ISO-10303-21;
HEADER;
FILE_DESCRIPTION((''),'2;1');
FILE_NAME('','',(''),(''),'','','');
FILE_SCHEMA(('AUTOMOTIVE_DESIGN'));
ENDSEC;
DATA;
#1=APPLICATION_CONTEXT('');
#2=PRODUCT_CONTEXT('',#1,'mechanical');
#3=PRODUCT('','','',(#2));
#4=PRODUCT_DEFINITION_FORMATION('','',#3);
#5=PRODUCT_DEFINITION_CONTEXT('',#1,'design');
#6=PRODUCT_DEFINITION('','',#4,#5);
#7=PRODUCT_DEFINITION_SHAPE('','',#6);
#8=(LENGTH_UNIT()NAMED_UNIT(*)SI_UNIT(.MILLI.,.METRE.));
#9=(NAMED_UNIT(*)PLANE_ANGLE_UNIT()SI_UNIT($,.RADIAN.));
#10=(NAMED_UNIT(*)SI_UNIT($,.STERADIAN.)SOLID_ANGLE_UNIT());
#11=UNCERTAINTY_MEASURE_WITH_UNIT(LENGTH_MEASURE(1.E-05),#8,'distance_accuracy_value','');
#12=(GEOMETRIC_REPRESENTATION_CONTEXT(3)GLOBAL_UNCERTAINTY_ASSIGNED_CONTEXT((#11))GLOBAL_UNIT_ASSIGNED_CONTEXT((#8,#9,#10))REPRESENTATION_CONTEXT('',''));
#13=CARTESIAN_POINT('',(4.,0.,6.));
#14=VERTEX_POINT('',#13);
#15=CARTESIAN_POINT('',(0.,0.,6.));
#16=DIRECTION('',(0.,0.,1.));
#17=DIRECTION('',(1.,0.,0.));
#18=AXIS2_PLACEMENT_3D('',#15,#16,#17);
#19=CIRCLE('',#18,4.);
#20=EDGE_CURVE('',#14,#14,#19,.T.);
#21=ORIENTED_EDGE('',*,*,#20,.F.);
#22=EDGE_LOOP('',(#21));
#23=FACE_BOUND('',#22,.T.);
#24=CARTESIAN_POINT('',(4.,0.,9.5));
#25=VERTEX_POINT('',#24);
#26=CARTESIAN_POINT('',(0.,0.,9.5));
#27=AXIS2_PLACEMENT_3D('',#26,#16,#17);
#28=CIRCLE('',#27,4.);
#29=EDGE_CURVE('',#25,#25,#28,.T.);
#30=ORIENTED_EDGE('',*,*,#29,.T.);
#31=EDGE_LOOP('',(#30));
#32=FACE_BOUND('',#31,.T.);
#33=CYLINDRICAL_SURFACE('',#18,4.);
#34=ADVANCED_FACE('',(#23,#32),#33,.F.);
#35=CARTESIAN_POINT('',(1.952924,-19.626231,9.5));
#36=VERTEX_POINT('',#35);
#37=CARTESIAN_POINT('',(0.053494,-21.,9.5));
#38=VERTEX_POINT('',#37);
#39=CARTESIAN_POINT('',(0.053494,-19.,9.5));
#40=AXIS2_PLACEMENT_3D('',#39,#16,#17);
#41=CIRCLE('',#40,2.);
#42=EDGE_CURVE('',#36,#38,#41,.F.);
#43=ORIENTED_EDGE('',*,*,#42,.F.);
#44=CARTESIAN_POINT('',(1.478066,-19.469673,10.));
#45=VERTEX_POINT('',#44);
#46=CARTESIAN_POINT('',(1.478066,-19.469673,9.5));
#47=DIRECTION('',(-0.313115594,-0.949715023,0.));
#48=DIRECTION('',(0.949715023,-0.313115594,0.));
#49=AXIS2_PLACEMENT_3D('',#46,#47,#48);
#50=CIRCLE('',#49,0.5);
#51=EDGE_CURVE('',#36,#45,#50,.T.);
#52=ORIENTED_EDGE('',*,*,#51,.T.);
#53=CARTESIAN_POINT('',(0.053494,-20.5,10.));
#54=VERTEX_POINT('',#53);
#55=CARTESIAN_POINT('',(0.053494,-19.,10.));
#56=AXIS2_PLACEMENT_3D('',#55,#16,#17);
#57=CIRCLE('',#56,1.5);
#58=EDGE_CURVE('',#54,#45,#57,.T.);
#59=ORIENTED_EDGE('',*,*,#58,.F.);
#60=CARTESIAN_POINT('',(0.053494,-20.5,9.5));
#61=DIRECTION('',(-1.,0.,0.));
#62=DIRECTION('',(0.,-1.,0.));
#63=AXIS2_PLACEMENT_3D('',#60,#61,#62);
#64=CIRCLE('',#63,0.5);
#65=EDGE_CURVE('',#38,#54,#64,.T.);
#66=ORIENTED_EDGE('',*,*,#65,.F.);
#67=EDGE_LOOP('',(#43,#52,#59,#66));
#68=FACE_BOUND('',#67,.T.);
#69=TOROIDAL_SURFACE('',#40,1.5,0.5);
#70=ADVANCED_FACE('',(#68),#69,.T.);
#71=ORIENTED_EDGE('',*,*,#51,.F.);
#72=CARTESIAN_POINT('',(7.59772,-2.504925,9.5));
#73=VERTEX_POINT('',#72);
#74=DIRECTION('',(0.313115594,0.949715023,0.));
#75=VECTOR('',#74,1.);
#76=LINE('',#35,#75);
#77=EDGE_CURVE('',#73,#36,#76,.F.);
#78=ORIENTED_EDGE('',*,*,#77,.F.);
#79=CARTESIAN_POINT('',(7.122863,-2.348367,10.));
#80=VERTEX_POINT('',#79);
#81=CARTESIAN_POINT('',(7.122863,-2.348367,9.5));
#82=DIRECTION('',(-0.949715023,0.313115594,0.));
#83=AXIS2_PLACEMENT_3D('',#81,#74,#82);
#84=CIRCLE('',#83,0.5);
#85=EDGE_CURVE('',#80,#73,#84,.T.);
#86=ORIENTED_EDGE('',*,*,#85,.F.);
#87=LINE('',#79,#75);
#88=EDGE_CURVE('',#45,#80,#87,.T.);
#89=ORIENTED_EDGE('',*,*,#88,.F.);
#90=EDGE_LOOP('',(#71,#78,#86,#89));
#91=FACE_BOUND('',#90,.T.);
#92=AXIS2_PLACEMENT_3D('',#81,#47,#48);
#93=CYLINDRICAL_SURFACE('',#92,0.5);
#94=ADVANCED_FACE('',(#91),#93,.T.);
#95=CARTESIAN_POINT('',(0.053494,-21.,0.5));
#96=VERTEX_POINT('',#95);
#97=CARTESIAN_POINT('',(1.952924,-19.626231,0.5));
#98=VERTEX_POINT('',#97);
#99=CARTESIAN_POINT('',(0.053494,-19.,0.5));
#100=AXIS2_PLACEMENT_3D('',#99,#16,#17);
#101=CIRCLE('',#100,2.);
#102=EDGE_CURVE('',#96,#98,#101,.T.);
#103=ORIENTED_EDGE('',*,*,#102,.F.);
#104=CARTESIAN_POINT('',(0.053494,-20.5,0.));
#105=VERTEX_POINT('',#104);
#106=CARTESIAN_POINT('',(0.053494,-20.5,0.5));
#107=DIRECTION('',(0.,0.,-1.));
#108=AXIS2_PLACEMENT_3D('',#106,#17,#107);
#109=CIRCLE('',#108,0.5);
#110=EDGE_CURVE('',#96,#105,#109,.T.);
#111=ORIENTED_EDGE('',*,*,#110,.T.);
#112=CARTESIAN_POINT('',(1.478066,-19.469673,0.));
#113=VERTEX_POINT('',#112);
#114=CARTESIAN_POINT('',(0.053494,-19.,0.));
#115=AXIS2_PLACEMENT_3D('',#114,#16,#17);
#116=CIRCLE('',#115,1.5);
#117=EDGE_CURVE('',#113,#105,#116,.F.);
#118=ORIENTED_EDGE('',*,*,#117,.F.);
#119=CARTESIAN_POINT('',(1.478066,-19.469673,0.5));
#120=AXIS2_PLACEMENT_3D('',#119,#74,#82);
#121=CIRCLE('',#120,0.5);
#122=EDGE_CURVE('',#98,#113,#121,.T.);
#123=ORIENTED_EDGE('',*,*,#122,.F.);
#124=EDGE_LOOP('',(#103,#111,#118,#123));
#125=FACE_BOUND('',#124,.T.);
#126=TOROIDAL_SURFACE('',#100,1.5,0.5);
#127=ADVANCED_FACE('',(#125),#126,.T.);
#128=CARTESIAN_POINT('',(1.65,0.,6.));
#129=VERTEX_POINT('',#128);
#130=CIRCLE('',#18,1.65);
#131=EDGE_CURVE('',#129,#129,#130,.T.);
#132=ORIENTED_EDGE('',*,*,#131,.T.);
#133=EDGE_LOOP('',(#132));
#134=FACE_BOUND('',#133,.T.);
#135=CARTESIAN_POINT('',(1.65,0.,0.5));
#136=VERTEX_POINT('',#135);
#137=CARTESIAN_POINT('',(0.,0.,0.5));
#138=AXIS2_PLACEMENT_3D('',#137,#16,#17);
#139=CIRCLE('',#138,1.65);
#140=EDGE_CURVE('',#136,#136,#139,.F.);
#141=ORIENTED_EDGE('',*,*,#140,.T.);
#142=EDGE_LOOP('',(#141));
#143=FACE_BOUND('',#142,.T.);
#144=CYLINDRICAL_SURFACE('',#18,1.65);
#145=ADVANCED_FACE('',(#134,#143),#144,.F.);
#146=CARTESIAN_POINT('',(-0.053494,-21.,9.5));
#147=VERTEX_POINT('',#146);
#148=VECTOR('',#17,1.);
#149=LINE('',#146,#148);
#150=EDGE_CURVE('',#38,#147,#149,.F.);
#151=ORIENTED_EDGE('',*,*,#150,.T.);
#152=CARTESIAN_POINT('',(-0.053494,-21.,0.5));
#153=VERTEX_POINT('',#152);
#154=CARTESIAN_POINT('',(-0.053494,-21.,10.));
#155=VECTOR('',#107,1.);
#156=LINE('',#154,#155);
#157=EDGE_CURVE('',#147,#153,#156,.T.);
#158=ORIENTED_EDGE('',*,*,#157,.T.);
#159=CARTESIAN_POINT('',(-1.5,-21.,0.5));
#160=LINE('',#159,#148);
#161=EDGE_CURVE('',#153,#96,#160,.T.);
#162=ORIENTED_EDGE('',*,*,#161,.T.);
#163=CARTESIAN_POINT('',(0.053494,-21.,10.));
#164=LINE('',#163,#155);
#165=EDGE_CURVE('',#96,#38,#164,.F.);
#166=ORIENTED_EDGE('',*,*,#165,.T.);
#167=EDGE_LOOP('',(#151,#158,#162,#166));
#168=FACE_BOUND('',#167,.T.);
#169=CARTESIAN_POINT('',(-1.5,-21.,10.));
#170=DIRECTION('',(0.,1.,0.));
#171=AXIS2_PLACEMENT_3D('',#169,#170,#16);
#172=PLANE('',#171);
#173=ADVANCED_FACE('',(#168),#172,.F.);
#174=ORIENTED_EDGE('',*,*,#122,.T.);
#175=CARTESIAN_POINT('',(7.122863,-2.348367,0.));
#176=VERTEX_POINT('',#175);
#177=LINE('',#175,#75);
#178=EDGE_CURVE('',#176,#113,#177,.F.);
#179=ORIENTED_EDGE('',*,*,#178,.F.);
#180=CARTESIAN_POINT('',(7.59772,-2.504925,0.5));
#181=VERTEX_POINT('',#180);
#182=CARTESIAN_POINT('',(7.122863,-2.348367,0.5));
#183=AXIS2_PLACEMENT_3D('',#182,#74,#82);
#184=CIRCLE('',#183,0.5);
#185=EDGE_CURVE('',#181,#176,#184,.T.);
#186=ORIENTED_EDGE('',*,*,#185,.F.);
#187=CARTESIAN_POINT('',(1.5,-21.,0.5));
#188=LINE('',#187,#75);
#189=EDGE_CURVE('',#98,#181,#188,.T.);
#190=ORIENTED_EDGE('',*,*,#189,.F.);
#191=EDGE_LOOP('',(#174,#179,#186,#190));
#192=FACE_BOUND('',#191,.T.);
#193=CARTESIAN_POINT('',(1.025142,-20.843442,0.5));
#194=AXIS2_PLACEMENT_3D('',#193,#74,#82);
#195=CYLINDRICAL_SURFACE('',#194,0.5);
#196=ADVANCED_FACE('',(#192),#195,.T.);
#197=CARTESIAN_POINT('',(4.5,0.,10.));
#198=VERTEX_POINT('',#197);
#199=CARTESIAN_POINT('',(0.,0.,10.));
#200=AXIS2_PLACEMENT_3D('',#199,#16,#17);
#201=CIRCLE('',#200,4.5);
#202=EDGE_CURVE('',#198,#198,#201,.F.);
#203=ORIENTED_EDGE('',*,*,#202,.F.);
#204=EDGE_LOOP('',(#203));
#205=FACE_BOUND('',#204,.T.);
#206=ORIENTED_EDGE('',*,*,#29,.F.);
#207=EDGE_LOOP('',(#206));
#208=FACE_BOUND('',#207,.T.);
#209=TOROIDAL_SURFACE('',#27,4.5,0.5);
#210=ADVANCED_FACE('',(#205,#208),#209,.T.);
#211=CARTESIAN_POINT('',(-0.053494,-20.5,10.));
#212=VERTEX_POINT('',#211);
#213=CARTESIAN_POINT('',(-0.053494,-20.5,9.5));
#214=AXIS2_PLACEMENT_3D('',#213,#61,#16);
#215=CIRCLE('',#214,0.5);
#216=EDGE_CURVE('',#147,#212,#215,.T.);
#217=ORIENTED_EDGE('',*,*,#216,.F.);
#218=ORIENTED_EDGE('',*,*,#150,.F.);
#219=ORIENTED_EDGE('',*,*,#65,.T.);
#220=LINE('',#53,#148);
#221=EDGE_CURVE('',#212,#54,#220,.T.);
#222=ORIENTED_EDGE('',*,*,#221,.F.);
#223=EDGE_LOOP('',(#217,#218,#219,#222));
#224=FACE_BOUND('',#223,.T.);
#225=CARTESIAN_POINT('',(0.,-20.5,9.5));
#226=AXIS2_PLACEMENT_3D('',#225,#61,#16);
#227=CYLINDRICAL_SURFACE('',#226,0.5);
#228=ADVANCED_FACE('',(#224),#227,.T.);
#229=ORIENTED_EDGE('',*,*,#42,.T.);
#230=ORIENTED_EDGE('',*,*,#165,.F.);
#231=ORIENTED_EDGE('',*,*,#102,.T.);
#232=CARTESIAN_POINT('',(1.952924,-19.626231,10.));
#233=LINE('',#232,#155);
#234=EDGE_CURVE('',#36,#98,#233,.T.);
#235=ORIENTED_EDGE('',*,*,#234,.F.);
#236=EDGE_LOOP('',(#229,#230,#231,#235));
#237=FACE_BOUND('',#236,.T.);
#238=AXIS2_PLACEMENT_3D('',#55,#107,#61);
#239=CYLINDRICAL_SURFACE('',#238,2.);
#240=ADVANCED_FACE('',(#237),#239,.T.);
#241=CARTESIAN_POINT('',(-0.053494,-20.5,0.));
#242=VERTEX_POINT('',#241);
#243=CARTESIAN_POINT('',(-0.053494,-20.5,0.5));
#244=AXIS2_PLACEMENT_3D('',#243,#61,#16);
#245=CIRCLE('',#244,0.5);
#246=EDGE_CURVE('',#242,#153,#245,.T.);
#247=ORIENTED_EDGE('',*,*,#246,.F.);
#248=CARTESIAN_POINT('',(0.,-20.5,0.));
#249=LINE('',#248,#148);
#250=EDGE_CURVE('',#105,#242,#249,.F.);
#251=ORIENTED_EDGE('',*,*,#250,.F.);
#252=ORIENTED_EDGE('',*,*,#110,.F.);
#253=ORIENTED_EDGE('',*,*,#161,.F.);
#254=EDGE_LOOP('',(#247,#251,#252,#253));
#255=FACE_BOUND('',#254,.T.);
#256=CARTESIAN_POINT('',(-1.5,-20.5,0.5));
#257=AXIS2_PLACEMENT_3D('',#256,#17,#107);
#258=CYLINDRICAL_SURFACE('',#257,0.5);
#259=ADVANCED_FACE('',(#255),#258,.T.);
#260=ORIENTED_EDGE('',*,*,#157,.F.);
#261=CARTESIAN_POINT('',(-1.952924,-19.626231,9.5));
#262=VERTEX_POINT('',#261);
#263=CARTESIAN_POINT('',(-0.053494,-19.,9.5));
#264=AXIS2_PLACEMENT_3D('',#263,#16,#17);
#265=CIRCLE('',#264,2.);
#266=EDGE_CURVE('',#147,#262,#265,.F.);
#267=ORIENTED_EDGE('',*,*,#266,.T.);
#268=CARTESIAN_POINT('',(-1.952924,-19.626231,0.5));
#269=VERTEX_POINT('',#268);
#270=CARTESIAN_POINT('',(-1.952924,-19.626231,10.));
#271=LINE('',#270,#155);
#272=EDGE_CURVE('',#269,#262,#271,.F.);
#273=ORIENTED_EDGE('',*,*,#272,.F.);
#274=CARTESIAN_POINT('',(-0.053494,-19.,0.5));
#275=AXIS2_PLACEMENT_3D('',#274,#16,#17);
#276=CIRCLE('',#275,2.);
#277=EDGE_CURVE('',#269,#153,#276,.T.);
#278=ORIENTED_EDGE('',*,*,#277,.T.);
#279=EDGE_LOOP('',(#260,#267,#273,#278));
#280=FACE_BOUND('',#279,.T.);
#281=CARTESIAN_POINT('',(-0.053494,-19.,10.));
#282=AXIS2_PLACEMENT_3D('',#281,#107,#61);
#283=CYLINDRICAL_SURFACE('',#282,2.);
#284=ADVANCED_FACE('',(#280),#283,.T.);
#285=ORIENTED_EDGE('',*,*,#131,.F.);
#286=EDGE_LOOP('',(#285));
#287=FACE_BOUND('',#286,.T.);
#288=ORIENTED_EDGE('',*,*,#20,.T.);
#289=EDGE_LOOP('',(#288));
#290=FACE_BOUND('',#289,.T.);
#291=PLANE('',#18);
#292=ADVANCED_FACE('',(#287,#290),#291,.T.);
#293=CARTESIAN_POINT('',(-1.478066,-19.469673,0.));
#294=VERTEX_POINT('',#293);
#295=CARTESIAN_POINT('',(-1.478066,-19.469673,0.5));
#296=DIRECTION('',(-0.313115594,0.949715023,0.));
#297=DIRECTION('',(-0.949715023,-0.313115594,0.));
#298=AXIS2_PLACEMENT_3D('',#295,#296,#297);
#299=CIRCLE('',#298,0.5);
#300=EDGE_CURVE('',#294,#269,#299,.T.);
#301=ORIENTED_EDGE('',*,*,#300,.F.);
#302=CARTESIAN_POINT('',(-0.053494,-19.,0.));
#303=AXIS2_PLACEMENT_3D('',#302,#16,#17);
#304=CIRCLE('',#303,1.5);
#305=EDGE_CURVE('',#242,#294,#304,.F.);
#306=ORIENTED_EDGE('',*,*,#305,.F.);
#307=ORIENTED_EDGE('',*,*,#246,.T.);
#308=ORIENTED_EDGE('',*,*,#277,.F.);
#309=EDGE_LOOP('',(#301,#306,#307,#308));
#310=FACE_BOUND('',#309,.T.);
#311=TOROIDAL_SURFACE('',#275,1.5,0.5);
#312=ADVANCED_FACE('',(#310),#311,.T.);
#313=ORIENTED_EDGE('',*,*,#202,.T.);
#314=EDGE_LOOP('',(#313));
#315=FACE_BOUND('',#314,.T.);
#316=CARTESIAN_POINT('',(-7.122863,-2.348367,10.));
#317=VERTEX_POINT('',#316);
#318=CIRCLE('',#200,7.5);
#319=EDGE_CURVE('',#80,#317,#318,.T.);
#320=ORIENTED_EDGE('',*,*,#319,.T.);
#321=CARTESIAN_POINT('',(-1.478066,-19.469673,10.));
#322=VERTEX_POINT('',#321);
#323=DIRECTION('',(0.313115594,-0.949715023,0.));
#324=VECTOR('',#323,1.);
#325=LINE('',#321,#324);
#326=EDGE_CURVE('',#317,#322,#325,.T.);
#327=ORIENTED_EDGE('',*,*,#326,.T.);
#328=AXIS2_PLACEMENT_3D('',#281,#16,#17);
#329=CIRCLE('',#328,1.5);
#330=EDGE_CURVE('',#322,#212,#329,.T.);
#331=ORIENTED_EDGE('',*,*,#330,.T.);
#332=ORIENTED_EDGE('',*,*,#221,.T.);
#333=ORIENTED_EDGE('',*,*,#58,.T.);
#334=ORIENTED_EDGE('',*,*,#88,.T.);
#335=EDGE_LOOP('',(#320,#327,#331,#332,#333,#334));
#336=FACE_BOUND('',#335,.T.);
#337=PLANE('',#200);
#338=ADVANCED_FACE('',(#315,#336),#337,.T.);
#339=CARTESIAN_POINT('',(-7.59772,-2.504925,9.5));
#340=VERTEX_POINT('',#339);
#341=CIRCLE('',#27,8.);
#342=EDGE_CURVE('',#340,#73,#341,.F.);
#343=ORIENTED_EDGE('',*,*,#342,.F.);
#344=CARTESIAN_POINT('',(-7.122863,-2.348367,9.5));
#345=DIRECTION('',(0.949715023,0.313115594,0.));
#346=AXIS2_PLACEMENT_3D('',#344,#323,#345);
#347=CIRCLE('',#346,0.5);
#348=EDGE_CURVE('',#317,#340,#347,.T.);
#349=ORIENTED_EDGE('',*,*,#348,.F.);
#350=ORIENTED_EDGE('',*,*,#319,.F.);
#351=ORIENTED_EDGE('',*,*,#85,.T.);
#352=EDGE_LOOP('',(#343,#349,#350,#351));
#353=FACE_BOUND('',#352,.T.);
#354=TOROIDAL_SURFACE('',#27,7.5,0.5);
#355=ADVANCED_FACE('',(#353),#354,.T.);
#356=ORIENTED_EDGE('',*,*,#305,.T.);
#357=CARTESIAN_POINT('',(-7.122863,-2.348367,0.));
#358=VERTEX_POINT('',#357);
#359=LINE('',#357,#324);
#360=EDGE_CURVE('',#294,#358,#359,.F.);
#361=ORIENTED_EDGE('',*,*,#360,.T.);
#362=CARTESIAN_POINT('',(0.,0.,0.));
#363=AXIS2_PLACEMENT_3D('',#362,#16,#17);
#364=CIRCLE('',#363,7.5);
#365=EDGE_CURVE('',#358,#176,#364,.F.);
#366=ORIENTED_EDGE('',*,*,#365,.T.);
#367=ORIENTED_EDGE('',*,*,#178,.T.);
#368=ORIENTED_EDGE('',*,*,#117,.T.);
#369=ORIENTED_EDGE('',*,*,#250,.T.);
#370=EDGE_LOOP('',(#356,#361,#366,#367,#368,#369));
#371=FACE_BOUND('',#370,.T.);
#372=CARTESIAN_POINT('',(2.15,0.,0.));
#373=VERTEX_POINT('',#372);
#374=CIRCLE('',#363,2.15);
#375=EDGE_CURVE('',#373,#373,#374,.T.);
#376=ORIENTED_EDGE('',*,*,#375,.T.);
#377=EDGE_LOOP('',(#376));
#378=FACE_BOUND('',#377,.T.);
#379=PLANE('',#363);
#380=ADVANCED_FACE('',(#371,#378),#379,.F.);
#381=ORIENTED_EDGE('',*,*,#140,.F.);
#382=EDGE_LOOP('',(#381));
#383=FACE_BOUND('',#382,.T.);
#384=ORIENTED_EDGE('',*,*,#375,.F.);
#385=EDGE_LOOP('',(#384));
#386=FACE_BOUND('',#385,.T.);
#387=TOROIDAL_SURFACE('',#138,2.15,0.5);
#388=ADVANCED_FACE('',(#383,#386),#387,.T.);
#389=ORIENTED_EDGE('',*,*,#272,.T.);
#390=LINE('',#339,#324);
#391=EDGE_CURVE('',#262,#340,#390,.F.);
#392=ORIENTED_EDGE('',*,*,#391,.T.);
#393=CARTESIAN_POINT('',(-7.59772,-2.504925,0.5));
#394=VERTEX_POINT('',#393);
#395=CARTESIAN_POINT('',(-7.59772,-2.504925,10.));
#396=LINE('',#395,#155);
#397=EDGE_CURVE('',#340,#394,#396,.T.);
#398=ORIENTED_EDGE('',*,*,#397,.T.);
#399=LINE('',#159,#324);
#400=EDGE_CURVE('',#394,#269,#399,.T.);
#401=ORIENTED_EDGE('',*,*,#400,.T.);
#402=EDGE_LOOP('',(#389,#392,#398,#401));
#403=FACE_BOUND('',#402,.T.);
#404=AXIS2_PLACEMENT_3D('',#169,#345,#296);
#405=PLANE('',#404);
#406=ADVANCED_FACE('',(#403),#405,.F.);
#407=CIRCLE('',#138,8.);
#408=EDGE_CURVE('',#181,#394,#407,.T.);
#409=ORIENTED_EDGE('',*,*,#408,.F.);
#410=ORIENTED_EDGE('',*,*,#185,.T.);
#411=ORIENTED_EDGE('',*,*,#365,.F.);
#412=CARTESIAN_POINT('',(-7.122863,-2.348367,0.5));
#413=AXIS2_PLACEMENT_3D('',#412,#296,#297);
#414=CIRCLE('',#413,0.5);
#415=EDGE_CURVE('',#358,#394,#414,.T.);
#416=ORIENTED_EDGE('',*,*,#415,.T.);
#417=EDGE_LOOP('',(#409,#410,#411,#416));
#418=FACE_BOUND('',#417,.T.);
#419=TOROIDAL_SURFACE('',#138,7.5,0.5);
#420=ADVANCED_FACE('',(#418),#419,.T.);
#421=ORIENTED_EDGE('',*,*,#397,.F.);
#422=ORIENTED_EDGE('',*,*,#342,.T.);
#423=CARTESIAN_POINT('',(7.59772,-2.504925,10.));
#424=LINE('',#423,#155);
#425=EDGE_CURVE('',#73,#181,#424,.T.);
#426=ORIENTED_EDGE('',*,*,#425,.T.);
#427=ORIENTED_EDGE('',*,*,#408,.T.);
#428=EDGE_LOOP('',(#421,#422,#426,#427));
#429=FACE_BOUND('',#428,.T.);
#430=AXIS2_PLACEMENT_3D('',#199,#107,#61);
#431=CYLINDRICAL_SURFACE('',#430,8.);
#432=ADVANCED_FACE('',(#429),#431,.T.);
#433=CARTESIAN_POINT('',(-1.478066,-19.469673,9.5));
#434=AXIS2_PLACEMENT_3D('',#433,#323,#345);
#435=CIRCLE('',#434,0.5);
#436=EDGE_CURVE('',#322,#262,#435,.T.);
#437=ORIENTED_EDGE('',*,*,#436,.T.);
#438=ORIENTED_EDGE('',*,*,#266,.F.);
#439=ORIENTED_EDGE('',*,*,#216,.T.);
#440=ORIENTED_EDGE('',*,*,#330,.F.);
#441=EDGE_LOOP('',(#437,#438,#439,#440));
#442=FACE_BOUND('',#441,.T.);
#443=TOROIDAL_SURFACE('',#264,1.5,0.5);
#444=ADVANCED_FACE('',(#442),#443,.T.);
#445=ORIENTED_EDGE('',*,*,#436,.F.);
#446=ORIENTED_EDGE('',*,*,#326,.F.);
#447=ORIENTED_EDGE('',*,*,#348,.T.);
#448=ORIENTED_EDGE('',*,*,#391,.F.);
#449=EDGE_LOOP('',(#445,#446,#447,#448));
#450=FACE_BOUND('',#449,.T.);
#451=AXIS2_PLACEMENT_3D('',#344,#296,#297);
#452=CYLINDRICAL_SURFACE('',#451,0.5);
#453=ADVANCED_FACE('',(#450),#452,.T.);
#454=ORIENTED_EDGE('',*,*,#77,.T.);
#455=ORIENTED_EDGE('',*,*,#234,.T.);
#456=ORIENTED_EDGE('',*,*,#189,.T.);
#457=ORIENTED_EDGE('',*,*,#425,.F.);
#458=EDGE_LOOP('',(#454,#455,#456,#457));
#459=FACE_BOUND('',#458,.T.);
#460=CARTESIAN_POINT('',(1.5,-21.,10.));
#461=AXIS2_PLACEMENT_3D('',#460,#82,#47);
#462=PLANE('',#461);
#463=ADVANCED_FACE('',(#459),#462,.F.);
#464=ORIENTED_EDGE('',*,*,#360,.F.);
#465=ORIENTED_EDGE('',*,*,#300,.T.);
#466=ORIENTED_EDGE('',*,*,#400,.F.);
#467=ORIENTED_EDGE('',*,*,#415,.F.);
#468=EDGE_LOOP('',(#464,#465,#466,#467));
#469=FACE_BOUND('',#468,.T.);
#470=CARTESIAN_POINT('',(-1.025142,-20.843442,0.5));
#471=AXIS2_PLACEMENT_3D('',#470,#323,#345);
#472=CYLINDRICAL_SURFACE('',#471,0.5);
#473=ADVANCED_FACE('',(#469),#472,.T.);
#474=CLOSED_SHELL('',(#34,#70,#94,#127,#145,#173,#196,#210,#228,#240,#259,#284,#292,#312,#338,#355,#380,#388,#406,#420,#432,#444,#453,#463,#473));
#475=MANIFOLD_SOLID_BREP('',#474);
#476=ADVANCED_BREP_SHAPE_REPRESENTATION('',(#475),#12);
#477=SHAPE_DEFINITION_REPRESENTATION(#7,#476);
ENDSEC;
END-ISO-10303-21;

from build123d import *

# Parameters (mm, degrees)
EXTRUDE_1_DEPTH     = 10
FILLET_1_R          = 2
SKETCH_4_R          = 4
CUT_EXTRUDE_1_DEPTH = 4
M4X0_71_D           = 3.3
FILLET_3_R          = 0.5


with BuildPart() as part:
    # Эскиз1 → Бобышка-Вытянуть1 (new body)
    with BuildSketch(Plane.XY):
        with BuildLine():
            Line((-1.5, -21), (-7.597720185, -2.504924749))
            ThreePointArc((-7.597720185, -2.504924749), (0, 8), (7.597720185, -2.504924749))
            Line((7.597720185, -2.504924749), (1.5, -21))
            Line((1.5, -21), (-1.5, -21))
        make_face()
    extrude(amount=EXTRUDE_1_DEPTH)

    # Скругление1
    fillet_1_edges = [part.edges().sort_by_distance(p)[0] for p in [
        (-1.5, -21, 5),
        (1.5, -21, 5),
    ]]
    fillet(fillet_1_edges, radius=FILLET_1_R)

    # Эскиз4 → Вырез-Вытянуть1 (cut)
    with BuildSketch(Plane.XY.offset(10)):
        Circle(SKETCH_4_R)
    extrude(amount=-CUT_EXTRUDE_1_DEPTH, mode=Mode.SUBTRACT)

    # Отверстие обработанное метчиком M4x0.71 (through all)
    with Locations(Plane.XY.offset(6)):
        with Locations((0, 0)):
            Hole(M4X0_71_D / 2)

    # Скругление3
    fillet_3_edges = [part.edges().sort_by_distance(p)[0] for p in [
        (0, 8, 10),
        (-4.77532194, -11.065577968, 10),
        (4.77532194, -11.065577968, 0),
        (4.77532194, -11.065577968, 10),
        (0, -21, 0),
        (-1.225572491, -20.620565083, 0),
        (1.225572491, -20.620565083, 0),
        (0, -21, 10),
        (-1.225572491, -20.620565083, 10),
        (1.225572491, -20.620565083, 10),
        (-4, 0, 10),
        (1.65, 0, 0),
        (-4.77532194, -11.065577968, 0),
        (0, 8, 0),
    ]]
    fillet(fillet_3_edges, radius=FILLET_3_R)


solid = part.part
